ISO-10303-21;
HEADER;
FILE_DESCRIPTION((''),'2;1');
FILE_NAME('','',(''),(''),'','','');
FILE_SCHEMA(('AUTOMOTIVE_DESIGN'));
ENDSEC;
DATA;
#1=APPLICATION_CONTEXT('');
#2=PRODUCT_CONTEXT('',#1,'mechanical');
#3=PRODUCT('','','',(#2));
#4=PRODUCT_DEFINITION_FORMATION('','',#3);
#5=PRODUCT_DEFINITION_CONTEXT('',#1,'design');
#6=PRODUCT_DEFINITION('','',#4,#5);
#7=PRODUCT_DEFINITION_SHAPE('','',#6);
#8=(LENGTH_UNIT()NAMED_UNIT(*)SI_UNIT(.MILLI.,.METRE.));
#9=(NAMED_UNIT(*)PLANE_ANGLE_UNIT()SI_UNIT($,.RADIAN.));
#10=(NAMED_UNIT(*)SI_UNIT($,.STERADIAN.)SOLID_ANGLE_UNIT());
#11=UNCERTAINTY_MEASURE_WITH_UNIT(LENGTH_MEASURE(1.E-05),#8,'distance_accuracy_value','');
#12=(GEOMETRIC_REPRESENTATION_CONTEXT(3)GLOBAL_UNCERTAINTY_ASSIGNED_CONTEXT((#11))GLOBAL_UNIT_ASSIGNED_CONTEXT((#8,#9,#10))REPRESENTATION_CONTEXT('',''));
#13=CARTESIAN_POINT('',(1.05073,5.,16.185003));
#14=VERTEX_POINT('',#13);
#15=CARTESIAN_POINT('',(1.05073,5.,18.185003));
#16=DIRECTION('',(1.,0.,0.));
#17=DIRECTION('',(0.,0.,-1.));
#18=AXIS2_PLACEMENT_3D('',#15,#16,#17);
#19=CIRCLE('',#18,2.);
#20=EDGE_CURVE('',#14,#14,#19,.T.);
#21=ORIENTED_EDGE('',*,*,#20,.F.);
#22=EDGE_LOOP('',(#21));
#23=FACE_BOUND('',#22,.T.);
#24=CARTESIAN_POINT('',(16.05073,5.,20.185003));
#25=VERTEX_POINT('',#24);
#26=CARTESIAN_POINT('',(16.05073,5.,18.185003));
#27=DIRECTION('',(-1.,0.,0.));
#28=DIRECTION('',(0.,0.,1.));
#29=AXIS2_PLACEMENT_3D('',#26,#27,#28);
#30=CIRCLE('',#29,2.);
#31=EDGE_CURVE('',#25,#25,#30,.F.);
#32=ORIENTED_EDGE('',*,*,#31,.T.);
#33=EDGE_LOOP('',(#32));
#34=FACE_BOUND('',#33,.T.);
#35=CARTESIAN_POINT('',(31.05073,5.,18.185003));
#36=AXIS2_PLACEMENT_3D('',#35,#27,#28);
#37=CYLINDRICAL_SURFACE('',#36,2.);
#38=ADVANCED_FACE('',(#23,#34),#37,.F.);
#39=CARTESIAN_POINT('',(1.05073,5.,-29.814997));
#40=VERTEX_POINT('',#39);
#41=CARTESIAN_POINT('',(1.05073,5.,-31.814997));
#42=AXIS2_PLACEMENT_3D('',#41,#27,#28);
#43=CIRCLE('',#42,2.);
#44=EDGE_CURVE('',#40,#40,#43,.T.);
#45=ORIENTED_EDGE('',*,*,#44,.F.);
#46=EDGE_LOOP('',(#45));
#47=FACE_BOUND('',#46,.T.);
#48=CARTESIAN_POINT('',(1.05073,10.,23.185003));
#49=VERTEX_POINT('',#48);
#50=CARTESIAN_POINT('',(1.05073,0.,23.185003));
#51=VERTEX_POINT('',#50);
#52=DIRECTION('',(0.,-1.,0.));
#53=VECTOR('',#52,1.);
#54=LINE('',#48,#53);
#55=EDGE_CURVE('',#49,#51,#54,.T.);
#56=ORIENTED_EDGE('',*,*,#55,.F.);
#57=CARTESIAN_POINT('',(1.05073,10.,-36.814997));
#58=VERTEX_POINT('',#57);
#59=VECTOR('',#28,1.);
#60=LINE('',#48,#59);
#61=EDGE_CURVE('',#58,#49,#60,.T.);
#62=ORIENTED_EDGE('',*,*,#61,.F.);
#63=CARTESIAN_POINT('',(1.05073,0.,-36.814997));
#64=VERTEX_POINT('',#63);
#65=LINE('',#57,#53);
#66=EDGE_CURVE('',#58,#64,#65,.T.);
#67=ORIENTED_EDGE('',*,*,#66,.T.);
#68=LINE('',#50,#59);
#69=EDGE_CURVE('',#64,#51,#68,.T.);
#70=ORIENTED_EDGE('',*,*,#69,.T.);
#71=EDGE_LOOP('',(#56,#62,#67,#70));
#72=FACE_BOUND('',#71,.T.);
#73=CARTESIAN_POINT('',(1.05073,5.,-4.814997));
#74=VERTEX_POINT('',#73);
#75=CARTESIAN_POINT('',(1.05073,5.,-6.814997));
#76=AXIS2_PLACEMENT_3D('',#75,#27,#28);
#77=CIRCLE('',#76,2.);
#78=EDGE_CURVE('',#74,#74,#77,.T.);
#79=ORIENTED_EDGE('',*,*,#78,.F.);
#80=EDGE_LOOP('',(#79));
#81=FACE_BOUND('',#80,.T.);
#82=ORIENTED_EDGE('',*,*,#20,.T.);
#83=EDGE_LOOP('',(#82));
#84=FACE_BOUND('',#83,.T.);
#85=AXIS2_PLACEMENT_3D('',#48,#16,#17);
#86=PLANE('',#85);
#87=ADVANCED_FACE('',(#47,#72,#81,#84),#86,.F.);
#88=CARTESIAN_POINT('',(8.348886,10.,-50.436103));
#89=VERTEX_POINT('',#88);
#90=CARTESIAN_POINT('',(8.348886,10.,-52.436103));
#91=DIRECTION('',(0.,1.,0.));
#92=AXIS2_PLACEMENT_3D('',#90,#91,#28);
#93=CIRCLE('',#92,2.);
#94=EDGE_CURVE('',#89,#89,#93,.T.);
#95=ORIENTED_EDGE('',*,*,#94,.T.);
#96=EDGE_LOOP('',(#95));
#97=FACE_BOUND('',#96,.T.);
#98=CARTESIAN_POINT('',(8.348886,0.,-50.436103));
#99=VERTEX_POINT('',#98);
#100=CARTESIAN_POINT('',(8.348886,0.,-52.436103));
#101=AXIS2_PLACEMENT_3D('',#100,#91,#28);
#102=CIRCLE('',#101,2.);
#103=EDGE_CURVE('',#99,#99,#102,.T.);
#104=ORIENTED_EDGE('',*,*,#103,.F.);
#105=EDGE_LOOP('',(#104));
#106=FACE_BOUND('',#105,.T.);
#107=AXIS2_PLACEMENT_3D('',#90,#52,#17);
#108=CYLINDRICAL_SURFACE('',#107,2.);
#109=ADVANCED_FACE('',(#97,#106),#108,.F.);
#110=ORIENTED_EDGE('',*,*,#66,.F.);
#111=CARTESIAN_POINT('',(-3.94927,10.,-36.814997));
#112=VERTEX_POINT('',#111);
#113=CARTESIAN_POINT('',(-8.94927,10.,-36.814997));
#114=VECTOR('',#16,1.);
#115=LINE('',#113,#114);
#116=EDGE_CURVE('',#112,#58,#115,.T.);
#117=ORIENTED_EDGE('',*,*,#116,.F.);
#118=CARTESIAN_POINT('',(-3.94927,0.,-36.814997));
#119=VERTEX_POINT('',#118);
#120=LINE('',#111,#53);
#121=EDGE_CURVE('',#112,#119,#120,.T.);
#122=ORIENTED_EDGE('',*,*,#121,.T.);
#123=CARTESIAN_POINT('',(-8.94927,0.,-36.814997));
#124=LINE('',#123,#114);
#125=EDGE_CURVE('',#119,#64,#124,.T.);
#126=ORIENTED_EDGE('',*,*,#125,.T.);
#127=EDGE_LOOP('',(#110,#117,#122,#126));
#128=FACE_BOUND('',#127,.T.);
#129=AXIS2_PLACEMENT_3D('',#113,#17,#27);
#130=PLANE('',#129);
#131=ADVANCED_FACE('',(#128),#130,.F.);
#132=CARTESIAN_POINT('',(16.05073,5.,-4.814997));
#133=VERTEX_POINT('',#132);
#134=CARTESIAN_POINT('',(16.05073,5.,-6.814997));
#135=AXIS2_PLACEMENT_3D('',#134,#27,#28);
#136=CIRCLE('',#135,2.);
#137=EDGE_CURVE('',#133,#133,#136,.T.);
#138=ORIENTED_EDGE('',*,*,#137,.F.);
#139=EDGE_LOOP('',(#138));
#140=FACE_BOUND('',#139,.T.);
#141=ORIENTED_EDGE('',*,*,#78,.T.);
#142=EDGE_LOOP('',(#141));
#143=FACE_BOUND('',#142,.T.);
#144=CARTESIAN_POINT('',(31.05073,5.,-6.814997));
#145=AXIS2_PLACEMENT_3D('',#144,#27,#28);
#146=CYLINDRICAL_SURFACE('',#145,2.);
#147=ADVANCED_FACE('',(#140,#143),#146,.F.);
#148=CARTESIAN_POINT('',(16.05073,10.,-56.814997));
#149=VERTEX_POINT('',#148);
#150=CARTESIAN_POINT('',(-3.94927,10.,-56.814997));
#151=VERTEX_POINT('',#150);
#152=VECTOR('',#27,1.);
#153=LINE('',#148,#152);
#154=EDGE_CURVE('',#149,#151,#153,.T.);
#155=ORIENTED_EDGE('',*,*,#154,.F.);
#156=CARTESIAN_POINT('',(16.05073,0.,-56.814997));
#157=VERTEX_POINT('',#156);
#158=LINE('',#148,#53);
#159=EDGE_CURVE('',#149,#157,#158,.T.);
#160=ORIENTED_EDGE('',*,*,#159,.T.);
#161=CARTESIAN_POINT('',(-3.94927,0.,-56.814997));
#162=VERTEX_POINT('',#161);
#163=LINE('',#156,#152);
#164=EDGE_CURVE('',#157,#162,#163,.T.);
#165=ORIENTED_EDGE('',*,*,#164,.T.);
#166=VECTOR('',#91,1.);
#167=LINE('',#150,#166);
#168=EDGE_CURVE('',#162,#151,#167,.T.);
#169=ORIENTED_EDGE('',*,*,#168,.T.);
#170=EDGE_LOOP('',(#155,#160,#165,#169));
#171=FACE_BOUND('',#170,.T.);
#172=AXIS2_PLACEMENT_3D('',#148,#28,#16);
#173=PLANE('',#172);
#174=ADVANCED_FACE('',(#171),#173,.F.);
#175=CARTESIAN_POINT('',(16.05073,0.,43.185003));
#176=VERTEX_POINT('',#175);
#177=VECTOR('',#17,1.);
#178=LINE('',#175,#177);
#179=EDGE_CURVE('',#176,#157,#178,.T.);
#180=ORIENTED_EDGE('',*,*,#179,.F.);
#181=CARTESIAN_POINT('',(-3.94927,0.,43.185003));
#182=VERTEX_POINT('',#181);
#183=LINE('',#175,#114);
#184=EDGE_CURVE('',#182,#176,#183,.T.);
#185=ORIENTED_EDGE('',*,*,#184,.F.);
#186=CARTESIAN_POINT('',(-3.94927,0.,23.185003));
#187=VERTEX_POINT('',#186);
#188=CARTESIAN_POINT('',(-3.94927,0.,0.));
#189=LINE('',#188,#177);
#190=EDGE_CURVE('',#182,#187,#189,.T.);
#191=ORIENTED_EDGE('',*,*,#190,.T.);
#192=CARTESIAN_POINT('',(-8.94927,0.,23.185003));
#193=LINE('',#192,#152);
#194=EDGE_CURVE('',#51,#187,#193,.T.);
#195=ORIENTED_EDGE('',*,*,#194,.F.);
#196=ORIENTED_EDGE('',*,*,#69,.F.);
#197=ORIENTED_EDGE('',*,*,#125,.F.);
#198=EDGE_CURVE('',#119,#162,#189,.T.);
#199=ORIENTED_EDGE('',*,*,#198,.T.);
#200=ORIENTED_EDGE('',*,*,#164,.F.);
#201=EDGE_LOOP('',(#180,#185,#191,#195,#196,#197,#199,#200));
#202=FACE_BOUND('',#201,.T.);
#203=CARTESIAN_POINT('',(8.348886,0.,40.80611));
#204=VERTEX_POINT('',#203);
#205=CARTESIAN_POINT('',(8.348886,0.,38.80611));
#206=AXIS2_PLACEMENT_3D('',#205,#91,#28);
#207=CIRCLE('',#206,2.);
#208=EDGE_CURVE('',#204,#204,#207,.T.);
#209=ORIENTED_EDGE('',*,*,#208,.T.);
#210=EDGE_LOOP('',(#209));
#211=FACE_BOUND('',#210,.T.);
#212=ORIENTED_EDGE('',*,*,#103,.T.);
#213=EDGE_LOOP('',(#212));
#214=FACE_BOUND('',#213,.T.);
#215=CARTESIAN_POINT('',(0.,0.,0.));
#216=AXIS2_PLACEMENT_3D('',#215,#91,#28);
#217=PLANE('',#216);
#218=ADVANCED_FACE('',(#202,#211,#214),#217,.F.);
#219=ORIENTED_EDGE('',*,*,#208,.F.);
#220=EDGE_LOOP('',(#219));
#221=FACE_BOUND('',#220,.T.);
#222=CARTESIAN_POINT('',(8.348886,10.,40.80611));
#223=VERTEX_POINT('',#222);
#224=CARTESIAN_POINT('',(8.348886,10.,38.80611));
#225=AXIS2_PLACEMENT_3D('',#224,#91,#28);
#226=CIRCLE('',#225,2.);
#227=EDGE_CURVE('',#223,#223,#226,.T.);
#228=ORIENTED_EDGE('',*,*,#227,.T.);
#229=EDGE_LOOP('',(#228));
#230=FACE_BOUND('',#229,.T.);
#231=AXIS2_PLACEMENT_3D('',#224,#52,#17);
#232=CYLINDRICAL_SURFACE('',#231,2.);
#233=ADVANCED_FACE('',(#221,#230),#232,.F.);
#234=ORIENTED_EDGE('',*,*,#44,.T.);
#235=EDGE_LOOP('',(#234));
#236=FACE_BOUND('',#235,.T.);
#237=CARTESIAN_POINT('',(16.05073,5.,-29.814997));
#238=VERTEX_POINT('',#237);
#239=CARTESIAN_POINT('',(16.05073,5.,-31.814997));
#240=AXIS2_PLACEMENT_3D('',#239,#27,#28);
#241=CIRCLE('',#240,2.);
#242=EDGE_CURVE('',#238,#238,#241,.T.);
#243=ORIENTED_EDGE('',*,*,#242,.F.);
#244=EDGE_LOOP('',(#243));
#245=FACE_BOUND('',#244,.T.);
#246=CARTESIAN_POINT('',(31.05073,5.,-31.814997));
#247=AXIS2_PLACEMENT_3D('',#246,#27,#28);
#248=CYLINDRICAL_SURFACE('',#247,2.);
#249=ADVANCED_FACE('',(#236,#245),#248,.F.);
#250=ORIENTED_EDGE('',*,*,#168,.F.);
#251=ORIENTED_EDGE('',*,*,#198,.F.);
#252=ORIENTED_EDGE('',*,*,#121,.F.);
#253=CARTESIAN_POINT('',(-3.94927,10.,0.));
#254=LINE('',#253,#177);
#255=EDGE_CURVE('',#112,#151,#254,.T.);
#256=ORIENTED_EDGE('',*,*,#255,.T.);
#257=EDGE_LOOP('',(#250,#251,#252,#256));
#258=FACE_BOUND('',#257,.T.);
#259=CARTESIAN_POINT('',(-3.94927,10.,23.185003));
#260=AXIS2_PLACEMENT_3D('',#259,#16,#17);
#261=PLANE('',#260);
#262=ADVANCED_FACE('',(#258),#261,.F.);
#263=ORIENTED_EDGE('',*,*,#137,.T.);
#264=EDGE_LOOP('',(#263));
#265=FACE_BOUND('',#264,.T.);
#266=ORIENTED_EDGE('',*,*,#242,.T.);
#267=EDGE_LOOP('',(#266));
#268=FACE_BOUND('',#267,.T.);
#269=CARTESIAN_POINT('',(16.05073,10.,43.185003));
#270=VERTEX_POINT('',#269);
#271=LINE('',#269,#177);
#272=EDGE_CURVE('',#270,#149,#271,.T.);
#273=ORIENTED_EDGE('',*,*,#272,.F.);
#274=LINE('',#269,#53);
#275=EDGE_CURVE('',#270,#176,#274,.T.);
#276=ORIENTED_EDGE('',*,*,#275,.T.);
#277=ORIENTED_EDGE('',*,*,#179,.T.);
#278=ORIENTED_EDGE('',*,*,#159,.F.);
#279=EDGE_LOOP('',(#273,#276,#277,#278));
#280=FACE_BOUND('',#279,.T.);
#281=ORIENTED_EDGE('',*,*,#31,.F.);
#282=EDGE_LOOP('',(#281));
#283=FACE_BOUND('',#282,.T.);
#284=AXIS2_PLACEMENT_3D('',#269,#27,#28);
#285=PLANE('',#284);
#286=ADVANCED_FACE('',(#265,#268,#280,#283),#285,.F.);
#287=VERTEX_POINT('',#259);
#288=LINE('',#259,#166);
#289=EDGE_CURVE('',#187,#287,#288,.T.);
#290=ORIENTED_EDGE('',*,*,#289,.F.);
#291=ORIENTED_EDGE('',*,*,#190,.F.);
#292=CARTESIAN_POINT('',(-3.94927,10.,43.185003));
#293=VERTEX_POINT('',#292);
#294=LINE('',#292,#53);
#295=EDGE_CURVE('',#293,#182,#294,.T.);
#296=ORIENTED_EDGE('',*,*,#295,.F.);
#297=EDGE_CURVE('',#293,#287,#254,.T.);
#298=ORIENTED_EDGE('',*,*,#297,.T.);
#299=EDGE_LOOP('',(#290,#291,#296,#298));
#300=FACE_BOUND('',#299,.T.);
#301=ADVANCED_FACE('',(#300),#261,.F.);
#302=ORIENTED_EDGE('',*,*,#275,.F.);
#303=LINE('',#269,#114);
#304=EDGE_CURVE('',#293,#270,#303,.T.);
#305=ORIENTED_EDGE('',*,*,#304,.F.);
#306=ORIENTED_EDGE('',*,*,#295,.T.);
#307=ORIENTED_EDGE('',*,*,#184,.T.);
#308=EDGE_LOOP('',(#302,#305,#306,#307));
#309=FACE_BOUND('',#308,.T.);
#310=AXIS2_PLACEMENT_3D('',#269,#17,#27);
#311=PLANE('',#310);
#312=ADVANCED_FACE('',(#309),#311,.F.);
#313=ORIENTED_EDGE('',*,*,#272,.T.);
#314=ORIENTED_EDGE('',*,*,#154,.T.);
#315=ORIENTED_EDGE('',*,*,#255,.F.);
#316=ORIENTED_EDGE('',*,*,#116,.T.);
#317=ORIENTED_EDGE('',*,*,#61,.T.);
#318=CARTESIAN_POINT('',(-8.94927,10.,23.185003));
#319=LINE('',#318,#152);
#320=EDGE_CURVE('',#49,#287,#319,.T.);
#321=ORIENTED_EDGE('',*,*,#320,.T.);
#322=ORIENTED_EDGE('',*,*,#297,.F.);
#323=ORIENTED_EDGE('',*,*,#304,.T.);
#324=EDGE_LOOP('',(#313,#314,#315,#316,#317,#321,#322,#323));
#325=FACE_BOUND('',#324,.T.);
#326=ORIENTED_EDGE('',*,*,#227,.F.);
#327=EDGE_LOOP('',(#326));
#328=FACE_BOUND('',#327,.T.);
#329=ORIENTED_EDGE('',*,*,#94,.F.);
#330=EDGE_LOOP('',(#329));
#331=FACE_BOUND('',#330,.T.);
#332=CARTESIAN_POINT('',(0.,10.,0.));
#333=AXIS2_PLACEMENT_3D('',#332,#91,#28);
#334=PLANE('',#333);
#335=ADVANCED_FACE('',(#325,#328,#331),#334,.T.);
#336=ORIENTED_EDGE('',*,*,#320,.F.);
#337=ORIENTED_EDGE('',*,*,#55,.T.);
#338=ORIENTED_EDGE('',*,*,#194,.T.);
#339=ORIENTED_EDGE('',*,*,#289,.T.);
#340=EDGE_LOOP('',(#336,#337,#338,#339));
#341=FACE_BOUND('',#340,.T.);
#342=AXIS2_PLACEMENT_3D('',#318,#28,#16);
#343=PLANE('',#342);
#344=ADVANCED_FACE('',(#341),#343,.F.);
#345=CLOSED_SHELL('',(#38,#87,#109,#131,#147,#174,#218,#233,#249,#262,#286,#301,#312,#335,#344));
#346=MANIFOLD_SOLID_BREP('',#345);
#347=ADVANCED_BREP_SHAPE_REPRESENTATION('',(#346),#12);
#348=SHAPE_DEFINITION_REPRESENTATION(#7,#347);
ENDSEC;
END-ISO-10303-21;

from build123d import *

# Parameters (mm, degrees)
SKETCH1_R           = 2
BOSS_EXTRUDE1_DEPTH = 10
SKETCH2_R           = 2
CUT_EXTRUDE1_DEPTH  = 30
SKETCH3_W           = 147.072515525
SKETCH3_H           = 61.375716436
CUT_EXTRUDE2_DEPTH  = 5


with BuildPart() as part:
    # Sketch1 → Boss-Extrude1 (new body)
    with BuildSketch(Plane(origin=(0, 0, 0), x_dir=(1, 0, 0), z_dir=(0, 1, 0))):
        Polygon((16.050729855, 56.814996593), (-8.949270145, 56.814996593), (-8.949270145, 36.814996593), (1.050729855, 36.814996593), (1.050729855, -23.185003407), (-8.949270145, -23.185003407), (-8.949270145, -43.185003407), (16.050729855, -43.185003407), align=None)
        with Locations((8.348885954, 52.436102934)):
            Circle(SKETCH1_R, mode=Mode.SUBTRACT)
        with Locations((8.348885954, -38.806109747)):
            Circle(SKETCH1_R, mode=Mode.SUBTRACT)
    extrude(amount=BOSS_EXTRUDE1_DEPTH)

    # Sketch2 → Cut-Extrude1 (cut)
    with BuildSketch(Plane.ZY.offset(-1.050729855)):
        with Locations((-31.814996593, 5)):
            Circle(SKETCH2_R)
        with Locations((18.185003407, 5)):
            Circle(SKETCH2_R)
        with Locations((-6.814996593, 5)):
            Circle(SKETCH2_R)
    extrude(amount=-CUT_EXTRUDE1_DEPTH, mode=Mode.SUBTRACT)

    # Sketch3 → Cut-Extrude2 (cut)
    with BuildSketch(Plane.ZY.offset(8.949270145)):
        with Locations((-8.47035824, 7.801381248)):
            Rectangle(SKETCH3_W, SKETCH3_H)
    extrude(amount=-CUT_EXTRUDE2_DEPTH, mode=Mode.SUBTRACT)


solid = part.part
